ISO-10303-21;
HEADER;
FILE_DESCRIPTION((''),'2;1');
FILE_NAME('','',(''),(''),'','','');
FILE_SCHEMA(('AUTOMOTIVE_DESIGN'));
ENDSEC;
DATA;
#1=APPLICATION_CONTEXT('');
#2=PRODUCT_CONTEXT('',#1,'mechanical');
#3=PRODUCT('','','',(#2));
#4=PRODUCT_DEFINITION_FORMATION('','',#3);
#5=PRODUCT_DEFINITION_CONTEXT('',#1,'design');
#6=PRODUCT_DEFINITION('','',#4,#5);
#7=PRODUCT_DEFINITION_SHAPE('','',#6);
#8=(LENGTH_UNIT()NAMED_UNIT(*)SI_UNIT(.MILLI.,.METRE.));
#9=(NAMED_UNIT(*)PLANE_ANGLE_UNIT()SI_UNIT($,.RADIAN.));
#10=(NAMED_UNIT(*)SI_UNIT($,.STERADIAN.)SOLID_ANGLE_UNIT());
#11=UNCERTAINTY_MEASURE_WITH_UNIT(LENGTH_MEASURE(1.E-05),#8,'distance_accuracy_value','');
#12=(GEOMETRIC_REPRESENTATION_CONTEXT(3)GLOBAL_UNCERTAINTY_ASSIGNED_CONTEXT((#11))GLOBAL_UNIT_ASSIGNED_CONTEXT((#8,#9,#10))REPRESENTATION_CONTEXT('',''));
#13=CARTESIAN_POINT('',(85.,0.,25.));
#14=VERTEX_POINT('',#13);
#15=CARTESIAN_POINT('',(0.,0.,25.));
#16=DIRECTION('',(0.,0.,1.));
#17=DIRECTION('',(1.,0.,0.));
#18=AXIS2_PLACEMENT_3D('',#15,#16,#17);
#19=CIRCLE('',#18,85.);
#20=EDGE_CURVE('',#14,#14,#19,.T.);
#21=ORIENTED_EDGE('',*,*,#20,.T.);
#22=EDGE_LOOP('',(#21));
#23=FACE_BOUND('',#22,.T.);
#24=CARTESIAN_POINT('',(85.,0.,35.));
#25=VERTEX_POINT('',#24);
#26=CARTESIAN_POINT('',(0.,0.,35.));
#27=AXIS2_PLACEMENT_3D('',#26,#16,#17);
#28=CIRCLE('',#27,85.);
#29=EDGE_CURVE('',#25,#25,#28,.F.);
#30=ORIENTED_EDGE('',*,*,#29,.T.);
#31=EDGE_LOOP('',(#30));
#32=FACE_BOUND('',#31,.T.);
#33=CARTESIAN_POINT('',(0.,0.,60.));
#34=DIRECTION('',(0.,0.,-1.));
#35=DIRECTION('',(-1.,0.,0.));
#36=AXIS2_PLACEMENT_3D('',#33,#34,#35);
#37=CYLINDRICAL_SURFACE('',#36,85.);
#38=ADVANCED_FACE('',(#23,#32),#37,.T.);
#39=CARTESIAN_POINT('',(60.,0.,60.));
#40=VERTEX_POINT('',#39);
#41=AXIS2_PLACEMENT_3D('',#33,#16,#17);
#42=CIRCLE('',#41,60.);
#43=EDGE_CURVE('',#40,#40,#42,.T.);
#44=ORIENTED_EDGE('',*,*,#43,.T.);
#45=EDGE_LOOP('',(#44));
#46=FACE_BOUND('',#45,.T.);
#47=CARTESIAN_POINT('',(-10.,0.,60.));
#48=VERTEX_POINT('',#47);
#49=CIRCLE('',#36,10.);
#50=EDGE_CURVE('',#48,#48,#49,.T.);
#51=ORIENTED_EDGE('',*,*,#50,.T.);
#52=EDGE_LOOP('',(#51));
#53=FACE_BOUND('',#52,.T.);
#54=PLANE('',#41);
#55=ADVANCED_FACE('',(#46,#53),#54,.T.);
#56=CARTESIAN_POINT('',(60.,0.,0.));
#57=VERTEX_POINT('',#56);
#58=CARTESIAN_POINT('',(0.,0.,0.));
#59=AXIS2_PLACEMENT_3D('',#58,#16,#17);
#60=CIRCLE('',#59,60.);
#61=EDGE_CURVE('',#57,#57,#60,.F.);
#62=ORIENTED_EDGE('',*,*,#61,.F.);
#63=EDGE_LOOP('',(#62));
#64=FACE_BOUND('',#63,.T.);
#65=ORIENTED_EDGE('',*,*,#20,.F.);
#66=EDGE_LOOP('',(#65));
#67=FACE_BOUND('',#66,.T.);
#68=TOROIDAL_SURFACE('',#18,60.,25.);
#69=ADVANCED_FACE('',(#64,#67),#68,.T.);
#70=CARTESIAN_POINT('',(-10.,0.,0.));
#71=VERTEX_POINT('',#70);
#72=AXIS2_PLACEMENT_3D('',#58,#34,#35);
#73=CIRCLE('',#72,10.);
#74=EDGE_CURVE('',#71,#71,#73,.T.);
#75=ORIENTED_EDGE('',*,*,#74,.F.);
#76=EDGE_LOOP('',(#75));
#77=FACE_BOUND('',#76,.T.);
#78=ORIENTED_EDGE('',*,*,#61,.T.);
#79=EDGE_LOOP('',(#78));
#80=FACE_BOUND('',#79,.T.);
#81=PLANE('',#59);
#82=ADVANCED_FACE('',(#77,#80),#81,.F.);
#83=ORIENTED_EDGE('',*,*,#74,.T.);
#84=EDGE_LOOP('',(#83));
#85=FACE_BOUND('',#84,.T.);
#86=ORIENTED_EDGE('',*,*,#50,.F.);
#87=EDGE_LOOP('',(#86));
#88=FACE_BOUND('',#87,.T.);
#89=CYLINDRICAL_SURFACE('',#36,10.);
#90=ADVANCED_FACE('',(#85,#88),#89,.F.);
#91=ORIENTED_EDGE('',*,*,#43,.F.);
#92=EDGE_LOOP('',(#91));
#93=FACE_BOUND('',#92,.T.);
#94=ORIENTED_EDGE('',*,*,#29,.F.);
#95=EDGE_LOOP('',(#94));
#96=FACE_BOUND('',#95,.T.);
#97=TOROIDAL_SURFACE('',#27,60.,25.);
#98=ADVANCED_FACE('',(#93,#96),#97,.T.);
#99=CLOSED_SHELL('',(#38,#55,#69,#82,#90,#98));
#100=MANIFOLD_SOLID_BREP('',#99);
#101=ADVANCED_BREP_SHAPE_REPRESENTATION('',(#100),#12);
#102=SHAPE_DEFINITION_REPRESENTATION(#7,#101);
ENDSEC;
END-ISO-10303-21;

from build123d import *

# Parameters (mm, degrees)
SKETCH1_R          = 85
WHEEL_DEPTH        = 60
FILLET1_R          = 25
SKETCH4_R          = 10
CUT_EXTRUDE1_DEPTH = 135.350288489


with BuildPart() as part:
    # Sketch1 → WHEEL (new body)
    with BuildSketch(Plane.XY):
        Circle(SKETCH1_R)
    extrude(amount=WHEEL_DEPTH)

    # Fillet1
    fillet1_edges = [part.edges().sort_by_distance(p)[0] for p in [
        (-85, 0, 0),
        (-85, 0, 60),
    ]]
    fillet(fillet1_edges, radius=FILLET1_R)

    # Sketch4 → Cut-Extrude1 (cut, through all)
    with BuildSketch(Plane(origin=(0, 0, 0), x_dir=(-1, 0, 0), z_dir=(0, 0, -1))):
        Circle(SKETCH4_R)
    extrude(amount=-CUT_EXTRUDE1_DEPTH, mode=Mode.SUBTRACT)


solid = part.part
